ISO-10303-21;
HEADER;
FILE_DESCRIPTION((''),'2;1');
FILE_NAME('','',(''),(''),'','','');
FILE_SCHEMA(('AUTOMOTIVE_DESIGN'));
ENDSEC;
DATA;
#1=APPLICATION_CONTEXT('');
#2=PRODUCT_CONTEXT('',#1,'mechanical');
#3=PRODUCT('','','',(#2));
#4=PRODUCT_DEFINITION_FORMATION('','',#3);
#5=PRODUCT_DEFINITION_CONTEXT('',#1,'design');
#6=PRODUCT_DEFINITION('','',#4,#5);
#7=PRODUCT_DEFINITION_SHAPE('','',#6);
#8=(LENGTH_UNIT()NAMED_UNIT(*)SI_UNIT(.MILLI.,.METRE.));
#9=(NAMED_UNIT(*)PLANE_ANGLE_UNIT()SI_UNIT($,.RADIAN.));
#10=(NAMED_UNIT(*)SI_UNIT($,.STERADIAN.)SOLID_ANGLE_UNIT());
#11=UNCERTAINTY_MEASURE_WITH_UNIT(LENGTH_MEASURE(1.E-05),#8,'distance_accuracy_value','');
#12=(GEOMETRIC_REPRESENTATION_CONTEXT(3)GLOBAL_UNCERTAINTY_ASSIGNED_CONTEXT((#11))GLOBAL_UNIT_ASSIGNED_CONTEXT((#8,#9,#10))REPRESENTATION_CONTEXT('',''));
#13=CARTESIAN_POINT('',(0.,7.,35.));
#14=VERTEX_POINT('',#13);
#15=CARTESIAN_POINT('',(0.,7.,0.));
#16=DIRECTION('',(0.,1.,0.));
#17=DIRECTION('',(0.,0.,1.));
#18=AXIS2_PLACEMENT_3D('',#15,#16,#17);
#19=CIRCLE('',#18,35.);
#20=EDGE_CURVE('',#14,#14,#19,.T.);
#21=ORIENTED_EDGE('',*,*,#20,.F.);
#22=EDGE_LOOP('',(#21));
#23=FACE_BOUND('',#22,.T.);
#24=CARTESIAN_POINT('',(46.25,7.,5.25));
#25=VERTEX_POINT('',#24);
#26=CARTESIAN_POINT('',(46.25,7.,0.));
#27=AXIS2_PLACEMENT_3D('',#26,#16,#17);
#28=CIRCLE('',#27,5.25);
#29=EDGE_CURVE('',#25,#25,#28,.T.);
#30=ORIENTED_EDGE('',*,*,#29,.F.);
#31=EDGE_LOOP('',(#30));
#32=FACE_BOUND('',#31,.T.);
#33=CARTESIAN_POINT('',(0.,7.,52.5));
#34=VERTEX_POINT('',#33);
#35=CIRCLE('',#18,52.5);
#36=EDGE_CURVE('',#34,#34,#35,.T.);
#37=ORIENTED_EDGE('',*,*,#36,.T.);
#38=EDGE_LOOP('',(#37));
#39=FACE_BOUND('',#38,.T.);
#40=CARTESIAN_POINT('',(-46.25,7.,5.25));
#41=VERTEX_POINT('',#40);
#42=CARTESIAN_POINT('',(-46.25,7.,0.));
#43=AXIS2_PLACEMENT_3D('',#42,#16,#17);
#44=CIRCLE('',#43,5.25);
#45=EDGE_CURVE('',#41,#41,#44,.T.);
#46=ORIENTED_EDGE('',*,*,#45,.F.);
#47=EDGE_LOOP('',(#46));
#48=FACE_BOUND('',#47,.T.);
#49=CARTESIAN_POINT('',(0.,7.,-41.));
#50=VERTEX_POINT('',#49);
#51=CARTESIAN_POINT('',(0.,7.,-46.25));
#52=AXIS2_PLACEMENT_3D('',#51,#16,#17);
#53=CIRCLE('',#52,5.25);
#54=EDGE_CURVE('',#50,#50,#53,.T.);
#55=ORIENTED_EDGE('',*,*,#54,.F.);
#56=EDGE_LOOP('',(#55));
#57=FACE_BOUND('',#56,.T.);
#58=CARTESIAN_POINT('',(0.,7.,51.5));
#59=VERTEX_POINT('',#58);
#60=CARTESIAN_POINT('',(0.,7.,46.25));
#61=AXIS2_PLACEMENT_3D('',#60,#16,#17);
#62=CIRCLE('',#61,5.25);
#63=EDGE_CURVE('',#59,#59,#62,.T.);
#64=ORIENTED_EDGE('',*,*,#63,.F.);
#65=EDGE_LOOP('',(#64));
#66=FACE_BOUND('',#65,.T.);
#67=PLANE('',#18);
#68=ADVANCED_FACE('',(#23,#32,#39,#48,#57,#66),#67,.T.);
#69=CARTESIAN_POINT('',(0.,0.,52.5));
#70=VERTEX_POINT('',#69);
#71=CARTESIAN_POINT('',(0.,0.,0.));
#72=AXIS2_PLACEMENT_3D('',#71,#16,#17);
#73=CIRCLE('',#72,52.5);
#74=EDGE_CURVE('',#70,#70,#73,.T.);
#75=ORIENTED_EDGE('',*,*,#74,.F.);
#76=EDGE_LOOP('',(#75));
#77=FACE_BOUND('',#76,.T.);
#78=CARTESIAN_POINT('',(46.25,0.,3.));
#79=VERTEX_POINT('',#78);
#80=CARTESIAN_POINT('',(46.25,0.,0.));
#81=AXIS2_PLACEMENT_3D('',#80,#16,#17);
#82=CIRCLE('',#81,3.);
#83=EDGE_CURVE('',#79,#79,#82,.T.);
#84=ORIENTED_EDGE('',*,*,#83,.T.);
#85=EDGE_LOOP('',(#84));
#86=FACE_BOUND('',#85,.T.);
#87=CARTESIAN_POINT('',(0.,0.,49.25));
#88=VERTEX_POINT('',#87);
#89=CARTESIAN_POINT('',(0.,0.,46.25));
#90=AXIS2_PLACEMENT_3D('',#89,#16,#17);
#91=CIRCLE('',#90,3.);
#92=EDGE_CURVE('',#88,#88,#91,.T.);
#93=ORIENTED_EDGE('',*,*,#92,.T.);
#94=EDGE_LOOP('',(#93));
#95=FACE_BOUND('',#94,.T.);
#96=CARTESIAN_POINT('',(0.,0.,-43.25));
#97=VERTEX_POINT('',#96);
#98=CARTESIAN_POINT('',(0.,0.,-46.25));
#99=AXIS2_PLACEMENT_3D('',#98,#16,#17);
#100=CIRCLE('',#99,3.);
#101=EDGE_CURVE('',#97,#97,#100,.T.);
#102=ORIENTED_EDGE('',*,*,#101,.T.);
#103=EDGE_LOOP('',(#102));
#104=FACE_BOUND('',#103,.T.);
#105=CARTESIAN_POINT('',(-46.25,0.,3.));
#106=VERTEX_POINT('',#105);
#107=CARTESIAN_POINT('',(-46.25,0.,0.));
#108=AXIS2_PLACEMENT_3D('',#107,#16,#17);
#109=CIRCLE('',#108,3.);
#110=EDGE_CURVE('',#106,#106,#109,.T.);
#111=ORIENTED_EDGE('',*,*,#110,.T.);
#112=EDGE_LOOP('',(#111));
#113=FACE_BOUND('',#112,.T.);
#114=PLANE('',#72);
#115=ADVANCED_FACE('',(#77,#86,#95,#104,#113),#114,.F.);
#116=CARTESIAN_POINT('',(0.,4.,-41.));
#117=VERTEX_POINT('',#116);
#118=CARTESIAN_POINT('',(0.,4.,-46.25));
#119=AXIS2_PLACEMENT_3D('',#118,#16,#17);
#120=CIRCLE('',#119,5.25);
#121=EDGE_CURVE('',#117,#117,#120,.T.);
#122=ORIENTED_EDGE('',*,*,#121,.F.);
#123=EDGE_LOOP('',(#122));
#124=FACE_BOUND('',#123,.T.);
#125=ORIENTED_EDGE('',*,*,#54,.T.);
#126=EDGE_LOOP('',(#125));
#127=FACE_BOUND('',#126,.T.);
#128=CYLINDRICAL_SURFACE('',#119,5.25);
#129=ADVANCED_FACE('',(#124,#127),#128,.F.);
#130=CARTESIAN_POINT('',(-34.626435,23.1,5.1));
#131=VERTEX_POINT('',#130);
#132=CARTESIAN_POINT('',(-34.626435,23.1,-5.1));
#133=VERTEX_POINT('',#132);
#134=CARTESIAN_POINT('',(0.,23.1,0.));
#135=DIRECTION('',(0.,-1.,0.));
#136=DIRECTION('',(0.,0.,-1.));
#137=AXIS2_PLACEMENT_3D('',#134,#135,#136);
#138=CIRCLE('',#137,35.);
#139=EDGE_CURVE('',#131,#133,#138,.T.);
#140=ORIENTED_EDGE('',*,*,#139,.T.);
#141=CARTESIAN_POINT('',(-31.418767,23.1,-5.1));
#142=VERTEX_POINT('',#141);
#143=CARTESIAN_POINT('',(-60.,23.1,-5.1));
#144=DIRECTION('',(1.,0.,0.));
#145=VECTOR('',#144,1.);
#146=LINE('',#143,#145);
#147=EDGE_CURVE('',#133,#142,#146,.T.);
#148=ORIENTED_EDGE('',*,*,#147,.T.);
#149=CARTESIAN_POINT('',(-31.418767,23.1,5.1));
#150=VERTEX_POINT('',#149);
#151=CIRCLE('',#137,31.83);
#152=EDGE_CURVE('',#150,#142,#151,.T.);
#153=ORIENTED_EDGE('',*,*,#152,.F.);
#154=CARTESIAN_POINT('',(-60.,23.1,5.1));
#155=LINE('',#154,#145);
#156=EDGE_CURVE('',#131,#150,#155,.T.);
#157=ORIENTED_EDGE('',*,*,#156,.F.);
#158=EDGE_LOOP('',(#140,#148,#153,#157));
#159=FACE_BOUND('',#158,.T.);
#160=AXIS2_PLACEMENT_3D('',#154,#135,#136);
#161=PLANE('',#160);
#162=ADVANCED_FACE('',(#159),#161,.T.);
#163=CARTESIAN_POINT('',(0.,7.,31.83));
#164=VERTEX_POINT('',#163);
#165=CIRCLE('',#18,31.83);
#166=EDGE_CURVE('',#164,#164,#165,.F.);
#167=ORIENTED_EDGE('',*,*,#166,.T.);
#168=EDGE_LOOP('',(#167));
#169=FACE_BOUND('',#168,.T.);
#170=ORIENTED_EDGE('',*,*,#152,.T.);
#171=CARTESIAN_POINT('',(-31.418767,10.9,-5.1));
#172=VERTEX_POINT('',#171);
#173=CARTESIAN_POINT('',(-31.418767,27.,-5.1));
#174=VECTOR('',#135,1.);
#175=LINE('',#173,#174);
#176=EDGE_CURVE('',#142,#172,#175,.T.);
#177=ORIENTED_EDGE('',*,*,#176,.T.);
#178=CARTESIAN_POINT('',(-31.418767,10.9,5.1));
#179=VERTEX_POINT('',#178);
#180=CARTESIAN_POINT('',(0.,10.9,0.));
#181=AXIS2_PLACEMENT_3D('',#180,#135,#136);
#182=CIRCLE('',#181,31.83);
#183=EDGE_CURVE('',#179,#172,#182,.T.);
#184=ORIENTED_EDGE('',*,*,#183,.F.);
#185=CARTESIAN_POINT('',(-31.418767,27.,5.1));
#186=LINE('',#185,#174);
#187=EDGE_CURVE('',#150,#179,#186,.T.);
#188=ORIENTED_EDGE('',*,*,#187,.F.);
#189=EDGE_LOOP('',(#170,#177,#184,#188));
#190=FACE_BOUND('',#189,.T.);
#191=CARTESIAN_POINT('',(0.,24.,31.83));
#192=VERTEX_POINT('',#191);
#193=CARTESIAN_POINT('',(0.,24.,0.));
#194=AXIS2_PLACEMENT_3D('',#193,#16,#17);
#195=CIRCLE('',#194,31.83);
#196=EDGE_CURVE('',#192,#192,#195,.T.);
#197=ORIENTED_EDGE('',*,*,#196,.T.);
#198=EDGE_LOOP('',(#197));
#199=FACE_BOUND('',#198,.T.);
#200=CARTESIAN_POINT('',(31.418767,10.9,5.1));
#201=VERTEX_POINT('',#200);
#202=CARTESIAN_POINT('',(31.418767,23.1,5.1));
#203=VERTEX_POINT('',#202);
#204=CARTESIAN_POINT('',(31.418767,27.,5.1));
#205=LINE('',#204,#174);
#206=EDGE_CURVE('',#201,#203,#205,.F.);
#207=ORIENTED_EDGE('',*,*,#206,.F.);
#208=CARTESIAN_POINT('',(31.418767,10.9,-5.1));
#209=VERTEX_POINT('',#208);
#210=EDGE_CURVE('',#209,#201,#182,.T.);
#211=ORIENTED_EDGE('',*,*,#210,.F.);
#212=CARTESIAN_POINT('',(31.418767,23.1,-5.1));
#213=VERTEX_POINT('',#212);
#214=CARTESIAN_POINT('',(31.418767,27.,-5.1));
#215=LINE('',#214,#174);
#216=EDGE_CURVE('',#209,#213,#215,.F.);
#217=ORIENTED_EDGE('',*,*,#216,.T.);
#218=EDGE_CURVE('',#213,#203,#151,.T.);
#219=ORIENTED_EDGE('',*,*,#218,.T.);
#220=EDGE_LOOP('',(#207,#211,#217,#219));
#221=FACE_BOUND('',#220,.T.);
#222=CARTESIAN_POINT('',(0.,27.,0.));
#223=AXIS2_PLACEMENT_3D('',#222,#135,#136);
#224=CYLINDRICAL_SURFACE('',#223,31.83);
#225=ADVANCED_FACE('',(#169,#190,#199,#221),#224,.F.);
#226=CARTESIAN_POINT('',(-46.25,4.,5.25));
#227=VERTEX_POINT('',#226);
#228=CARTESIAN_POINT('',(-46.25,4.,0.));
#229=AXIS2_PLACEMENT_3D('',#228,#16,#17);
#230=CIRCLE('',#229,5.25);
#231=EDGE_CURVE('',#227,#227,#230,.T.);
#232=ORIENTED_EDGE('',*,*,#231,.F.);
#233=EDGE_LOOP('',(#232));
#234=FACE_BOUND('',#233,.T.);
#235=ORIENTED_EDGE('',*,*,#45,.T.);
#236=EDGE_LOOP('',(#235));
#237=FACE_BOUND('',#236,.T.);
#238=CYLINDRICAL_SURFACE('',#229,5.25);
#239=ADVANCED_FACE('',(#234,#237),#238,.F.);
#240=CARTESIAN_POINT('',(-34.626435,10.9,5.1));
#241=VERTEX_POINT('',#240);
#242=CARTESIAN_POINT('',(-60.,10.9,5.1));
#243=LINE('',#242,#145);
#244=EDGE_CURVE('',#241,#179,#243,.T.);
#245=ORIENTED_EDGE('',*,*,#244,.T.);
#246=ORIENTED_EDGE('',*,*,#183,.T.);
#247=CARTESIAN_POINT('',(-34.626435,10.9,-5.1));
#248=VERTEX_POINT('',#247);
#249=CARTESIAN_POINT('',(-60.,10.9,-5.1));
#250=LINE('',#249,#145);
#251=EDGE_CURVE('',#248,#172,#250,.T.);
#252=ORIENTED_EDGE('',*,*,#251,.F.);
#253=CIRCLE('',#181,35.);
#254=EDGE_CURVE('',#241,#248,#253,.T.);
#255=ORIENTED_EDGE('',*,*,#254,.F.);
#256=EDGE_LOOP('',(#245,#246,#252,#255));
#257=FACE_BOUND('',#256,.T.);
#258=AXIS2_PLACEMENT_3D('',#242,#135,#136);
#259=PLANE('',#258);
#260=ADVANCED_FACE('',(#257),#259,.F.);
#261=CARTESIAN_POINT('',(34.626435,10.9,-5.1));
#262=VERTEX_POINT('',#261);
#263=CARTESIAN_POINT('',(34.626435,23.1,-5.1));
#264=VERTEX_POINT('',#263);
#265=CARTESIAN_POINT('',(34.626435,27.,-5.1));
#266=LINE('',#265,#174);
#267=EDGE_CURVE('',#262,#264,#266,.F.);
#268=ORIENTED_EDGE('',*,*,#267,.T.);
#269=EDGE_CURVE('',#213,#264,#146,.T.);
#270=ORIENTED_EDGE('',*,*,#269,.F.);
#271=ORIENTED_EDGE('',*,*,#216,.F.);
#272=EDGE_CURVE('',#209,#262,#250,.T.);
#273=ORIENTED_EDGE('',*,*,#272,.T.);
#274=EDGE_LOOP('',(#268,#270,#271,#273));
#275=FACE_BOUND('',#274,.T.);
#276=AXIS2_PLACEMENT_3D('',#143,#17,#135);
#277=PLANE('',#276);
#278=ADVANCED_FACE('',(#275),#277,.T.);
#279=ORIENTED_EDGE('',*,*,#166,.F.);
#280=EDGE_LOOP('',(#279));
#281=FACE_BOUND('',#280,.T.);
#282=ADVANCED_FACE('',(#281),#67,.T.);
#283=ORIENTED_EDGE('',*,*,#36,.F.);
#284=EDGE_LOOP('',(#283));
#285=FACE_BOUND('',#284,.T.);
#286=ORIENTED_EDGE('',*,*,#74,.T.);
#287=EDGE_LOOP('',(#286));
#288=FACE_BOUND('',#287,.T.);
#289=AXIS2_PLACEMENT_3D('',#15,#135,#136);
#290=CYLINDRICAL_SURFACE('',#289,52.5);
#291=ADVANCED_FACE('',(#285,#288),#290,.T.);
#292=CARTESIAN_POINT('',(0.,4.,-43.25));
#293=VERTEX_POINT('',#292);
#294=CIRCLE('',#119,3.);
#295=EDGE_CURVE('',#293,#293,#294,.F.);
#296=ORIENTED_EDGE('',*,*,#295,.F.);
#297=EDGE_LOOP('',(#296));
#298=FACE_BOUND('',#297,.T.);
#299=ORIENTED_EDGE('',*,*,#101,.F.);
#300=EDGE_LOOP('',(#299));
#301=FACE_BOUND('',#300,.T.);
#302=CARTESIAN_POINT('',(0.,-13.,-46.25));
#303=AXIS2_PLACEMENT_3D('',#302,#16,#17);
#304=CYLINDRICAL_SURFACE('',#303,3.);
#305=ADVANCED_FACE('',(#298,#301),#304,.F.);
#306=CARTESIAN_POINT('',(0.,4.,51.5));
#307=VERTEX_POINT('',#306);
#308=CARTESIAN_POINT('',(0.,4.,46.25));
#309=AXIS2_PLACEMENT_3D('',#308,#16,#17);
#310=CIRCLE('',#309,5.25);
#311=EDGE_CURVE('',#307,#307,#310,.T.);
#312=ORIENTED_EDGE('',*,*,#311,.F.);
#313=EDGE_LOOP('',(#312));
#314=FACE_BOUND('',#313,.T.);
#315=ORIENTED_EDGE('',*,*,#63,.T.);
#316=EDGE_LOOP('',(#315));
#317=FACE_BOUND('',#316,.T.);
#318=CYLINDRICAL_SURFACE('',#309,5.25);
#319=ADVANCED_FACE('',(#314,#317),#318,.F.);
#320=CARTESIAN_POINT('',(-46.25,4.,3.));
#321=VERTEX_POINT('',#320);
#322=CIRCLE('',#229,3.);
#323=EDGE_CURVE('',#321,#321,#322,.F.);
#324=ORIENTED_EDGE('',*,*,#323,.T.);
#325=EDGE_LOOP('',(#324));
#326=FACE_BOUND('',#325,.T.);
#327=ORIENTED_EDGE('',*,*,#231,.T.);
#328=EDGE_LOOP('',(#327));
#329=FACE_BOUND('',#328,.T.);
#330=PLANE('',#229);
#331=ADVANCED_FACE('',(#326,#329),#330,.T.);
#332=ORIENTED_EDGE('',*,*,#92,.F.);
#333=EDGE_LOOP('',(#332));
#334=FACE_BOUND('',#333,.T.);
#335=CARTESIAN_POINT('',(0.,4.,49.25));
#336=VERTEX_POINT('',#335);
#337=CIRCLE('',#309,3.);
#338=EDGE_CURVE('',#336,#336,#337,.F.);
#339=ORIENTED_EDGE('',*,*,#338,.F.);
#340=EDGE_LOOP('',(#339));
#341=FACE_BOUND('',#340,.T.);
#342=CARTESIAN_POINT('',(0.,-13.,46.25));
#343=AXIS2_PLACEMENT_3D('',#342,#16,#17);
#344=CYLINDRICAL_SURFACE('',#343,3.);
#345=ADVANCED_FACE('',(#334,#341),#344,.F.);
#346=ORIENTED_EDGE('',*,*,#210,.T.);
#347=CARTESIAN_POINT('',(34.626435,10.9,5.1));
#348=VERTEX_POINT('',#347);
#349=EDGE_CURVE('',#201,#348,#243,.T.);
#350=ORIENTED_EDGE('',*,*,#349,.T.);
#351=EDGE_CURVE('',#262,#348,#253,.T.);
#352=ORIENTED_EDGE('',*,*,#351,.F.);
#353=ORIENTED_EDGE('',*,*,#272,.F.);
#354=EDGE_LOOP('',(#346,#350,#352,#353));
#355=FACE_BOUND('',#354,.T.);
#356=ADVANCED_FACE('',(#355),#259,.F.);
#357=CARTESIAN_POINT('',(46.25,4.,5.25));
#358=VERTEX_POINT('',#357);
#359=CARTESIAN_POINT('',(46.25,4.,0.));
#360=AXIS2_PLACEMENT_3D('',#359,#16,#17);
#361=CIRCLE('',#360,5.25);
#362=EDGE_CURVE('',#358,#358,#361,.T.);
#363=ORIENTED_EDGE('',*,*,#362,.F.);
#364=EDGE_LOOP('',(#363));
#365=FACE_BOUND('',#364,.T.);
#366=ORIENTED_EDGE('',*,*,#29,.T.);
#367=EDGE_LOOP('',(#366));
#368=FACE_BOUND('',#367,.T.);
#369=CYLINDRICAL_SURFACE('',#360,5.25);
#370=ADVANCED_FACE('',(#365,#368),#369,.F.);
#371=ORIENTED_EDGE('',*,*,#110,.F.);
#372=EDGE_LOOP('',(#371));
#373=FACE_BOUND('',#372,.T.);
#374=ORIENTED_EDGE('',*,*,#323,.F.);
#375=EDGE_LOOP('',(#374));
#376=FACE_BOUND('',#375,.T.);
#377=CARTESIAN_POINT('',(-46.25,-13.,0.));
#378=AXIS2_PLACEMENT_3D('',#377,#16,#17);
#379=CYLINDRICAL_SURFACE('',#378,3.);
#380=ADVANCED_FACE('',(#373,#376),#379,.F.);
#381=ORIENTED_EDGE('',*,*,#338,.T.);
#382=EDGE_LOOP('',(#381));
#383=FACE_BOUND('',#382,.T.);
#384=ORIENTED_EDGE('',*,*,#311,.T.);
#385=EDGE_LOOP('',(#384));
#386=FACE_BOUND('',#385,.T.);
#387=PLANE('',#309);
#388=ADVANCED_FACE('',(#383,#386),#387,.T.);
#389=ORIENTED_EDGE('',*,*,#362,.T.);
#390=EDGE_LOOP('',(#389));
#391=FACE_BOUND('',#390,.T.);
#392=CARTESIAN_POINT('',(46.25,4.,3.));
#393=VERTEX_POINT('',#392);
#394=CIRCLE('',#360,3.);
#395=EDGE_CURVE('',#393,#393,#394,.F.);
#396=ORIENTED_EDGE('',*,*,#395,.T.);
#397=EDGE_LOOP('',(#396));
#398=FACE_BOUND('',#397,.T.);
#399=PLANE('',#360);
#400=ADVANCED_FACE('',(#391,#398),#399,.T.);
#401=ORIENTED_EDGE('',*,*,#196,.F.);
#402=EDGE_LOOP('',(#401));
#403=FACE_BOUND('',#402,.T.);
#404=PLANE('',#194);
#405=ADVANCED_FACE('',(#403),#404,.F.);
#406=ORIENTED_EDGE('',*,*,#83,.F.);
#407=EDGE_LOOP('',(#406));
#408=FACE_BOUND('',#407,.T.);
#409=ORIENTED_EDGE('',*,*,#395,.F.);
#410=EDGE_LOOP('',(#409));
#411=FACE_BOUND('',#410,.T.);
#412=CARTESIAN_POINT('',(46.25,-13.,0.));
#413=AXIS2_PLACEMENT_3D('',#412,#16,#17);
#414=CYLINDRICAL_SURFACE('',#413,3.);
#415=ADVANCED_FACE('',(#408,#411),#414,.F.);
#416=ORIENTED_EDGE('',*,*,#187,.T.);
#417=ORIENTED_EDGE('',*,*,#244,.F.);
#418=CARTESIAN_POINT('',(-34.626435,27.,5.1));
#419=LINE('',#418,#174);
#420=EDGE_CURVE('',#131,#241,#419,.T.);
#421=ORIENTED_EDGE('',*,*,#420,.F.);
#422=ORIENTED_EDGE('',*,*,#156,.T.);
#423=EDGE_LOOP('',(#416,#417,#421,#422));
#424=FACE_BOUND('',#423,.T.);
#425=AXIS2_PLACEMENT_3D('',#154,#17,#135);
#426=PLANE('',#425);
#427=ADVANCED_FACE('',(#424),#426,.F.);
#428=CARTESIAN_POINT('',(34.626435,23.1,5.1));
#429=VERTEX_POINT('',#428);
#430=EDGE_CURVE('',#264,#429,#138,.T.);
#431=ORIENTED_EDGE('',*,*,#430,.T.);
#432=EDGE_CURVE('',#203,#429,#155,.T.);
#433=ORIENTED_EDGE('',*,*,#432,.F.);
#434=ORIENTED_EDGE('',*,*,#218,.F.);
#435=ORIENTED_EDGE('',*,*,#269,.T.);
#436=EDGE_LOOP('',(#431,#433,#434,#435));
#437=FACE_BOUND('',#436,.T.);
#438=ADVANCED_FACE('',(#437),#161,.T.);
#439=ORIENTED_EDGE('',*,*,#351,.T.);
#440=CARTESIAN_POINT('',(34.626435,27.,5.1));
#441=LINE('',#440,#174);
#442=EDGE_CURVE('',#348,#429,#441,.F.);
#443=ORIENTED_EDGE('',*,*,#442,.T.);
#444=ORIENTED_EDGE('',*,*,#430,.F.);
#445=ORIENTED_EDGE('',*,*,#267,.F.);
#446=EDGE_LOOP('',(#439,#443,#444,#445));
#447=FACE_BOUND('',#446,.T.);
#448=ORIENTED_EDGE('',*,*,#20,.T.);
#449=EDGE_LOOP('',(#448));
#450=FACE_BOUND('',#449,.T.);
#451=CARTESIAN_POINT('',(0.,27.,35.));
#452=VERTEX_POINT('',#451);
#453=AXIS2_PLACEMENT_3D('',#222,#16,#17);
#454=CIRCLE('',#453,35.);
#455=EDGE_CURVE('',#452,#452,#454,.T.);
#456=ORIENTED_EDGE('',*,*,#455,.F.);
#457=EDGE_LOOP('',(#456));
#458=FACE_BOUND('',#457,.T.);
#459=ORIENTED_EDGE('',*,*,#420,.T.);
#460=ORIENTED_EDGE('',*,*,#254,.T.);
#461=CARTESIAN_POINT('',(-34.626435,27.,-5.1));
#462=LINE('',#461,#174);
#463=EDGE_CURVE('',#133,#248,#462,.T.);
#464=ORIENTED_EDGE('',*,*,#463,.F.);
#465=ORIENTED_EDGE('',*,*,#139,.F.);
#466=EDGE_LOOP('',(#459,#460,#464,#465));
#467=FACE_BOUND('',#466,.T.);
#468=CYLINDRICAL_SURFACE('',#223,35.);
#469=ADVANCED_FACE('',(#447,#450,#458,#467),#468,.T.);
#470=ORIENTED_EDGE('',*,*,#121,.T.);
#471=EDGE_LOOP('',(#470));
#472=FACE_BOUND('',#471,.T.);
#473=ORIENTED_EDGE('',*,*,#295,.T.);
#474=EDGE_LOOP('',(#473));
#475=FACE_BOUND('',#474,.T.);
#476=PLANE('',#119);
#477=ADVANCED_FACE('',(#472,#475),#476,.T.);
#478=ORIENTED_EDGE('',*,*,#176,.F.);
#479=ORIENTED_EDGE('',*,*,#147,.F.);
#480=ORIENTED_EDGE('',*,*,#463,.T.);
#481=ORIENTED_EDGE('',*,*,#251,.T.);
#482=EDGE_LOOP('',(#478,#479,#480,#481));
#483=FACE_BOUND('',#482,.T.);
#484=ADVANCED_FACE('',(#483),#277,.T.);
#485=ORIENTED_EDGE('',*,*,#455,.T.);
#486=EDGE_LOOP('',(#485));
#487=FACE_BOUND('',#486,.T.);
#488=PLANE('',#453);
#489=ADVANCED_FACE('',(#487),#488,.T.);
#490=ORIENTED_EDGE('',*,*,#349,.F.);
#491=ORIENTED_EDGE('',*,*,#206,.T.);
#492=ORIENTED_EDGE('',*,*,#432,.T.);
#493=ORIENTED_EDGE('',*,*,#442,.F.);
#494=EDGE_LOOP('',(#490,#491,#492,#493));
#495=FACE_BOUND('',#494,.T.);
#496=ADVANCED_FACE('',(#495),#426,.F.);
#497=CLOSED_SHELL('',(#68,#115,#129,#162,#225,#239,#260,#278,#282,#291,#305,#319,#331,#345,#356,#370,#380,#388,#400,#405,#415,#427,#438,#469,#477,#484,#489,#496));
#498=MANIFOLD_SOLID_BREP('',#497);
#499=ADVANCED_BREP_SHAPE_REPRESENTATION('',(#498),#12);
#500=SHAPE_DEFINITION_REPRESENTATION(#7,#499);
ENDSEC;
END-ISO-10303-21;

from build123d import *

# Parameters (mm, degrees)
SKETCH1_R           = 52.5
BOSS_EXTRUDE1_DEPTH = 7
SKETCH2_R           = 35
SKETCH2_R_2         = 31.83
BOSS_EXTRUDE3_DEPTH = 20
SKETCH3_R           = 3
CUT_EXTRUDE1_DEPTH  = 20
SKETCH4_R           = 5.25
CUT_EXTRUDE2_DEPTH  = 3
SKETCH5_W           = 10.2
SKETCH5_H           = 12.2
CUT_EXTRUDE3_DEPTH  = 120
BOSS_EXTRUDE4_START = -3
SKETCH6_R           = 31.83
BOSS_EXTRUDE4_DEPTH = 3


with BuildPart() as part:
    # Sketch1 → Boss-Extrude1 (new body)
    with BuildSketch(Plane(origin=(0, 0, 0), x_dir=(1, 0, 0), z_dir=(0, 1, 0))):
        with Locations(Location((0, 0, 0), (0, 0, 270))):
            Circle(SKETCH1_R)
    extrude(amount=BOSS_EXTRUDE1_DEPTH)

    # Sketch2 → Boss-Extrude3 (add)
    with BuildSketch(Plane(origin=(0, 7, 0), x_dir=(1, 0, 0), z_dir=(0, 1, 0))):
        with Locations(Location((0, 0, 0), (0, 0, 270))):
            Circle(SKETCH2_R)
        with Locations(Location((0, 0, 0), (0, 0, 270))):
            Circle(SKETCH2_R_2, mode=Mode.SUBTRACT)
    extrude(amount=BOSS_EXTRUDE3_DEPTH)

    # Sketch3 → Cut-Extrude1 (cut)
    with BuildSketch(Plane(origin=(0, 7, 0), x_dir=(1, 0, 0), z_dir=(0, 1, 0))):
        with Locations(Location((0, 46.25, 0), (0, 0, 270))):
            Circle(SKETCH3_R)
        with Locations(Location((46.25, 0, 0), (0, 0, 270))):
            Circle(SKETCH3_R)
        with Locations(Location((0, -46.25, 0), (0, 0, 270))):
            Circle(SKETCH3_R)
        with Locations(Location((-46.25, 0, 0), (0, 0, 270))):
            Circle(SKETCH3_R)
    extrude(amount=-CUT_EXTRUDE1_DEPTH, mode=Mode.SUBTRACT)

    # Sketch4 → Cut-Extrude2 (cut)
    with BuildSketch(Plane(origin=(0, 7, 0), x_dir=(1, 0, 0), z_dir=(0, 1, 0))):
        with Locations(Location((0, 46.25, 0), (0, 0, 270))):
            Circle(SKETCH4_R)
        with Locations(Location((46.25, 0, 0), (0, 0, 270))):
            Circle(SKETCH4_R)
        with Locations(Location((0, -46.25, 0), (0, 0, 270))):
            Circle(SKETCH4_R)
        with Locations(Location((-46.25, 0, 0), (0, 0, 270))):
            Circle(SKETCH4_R)
    extrude(amount=-CUT_EXTRUDE2_DEPTH, mode=Mode.SUBTRACT)

    # Sketch5 → Cut-Extrude3 (cut)
    with BuildSketch(Plane(origin=(60, 0, 0), x_dir=(0, 0, -1), z_dir=(1, 0, 0))):
        with Locations((0, 17)):
            Rectangle(SKETCH5_W, SKETCH5_H)
    extrude(amount=-CUT_EXTRUDE3_DEPTH, mode=Mode.SUBTRACT)

    # Sketch6 → Boss-Extrude4 (add)
    with BuildSketch(Plane(origin=(0, 27, 0), x_dir=(1, 0, 0), z_dir=(0, 1, 0)).offset(BOSS_EXTRUDE4_START)):
        with Locations(Location((0, 0, 0), (0, 0, 270))):
            Circle(SKETCH6_R)
    extrude(amount=BOSS_EXTRUDE4_DEPTH)


solid = part.part
